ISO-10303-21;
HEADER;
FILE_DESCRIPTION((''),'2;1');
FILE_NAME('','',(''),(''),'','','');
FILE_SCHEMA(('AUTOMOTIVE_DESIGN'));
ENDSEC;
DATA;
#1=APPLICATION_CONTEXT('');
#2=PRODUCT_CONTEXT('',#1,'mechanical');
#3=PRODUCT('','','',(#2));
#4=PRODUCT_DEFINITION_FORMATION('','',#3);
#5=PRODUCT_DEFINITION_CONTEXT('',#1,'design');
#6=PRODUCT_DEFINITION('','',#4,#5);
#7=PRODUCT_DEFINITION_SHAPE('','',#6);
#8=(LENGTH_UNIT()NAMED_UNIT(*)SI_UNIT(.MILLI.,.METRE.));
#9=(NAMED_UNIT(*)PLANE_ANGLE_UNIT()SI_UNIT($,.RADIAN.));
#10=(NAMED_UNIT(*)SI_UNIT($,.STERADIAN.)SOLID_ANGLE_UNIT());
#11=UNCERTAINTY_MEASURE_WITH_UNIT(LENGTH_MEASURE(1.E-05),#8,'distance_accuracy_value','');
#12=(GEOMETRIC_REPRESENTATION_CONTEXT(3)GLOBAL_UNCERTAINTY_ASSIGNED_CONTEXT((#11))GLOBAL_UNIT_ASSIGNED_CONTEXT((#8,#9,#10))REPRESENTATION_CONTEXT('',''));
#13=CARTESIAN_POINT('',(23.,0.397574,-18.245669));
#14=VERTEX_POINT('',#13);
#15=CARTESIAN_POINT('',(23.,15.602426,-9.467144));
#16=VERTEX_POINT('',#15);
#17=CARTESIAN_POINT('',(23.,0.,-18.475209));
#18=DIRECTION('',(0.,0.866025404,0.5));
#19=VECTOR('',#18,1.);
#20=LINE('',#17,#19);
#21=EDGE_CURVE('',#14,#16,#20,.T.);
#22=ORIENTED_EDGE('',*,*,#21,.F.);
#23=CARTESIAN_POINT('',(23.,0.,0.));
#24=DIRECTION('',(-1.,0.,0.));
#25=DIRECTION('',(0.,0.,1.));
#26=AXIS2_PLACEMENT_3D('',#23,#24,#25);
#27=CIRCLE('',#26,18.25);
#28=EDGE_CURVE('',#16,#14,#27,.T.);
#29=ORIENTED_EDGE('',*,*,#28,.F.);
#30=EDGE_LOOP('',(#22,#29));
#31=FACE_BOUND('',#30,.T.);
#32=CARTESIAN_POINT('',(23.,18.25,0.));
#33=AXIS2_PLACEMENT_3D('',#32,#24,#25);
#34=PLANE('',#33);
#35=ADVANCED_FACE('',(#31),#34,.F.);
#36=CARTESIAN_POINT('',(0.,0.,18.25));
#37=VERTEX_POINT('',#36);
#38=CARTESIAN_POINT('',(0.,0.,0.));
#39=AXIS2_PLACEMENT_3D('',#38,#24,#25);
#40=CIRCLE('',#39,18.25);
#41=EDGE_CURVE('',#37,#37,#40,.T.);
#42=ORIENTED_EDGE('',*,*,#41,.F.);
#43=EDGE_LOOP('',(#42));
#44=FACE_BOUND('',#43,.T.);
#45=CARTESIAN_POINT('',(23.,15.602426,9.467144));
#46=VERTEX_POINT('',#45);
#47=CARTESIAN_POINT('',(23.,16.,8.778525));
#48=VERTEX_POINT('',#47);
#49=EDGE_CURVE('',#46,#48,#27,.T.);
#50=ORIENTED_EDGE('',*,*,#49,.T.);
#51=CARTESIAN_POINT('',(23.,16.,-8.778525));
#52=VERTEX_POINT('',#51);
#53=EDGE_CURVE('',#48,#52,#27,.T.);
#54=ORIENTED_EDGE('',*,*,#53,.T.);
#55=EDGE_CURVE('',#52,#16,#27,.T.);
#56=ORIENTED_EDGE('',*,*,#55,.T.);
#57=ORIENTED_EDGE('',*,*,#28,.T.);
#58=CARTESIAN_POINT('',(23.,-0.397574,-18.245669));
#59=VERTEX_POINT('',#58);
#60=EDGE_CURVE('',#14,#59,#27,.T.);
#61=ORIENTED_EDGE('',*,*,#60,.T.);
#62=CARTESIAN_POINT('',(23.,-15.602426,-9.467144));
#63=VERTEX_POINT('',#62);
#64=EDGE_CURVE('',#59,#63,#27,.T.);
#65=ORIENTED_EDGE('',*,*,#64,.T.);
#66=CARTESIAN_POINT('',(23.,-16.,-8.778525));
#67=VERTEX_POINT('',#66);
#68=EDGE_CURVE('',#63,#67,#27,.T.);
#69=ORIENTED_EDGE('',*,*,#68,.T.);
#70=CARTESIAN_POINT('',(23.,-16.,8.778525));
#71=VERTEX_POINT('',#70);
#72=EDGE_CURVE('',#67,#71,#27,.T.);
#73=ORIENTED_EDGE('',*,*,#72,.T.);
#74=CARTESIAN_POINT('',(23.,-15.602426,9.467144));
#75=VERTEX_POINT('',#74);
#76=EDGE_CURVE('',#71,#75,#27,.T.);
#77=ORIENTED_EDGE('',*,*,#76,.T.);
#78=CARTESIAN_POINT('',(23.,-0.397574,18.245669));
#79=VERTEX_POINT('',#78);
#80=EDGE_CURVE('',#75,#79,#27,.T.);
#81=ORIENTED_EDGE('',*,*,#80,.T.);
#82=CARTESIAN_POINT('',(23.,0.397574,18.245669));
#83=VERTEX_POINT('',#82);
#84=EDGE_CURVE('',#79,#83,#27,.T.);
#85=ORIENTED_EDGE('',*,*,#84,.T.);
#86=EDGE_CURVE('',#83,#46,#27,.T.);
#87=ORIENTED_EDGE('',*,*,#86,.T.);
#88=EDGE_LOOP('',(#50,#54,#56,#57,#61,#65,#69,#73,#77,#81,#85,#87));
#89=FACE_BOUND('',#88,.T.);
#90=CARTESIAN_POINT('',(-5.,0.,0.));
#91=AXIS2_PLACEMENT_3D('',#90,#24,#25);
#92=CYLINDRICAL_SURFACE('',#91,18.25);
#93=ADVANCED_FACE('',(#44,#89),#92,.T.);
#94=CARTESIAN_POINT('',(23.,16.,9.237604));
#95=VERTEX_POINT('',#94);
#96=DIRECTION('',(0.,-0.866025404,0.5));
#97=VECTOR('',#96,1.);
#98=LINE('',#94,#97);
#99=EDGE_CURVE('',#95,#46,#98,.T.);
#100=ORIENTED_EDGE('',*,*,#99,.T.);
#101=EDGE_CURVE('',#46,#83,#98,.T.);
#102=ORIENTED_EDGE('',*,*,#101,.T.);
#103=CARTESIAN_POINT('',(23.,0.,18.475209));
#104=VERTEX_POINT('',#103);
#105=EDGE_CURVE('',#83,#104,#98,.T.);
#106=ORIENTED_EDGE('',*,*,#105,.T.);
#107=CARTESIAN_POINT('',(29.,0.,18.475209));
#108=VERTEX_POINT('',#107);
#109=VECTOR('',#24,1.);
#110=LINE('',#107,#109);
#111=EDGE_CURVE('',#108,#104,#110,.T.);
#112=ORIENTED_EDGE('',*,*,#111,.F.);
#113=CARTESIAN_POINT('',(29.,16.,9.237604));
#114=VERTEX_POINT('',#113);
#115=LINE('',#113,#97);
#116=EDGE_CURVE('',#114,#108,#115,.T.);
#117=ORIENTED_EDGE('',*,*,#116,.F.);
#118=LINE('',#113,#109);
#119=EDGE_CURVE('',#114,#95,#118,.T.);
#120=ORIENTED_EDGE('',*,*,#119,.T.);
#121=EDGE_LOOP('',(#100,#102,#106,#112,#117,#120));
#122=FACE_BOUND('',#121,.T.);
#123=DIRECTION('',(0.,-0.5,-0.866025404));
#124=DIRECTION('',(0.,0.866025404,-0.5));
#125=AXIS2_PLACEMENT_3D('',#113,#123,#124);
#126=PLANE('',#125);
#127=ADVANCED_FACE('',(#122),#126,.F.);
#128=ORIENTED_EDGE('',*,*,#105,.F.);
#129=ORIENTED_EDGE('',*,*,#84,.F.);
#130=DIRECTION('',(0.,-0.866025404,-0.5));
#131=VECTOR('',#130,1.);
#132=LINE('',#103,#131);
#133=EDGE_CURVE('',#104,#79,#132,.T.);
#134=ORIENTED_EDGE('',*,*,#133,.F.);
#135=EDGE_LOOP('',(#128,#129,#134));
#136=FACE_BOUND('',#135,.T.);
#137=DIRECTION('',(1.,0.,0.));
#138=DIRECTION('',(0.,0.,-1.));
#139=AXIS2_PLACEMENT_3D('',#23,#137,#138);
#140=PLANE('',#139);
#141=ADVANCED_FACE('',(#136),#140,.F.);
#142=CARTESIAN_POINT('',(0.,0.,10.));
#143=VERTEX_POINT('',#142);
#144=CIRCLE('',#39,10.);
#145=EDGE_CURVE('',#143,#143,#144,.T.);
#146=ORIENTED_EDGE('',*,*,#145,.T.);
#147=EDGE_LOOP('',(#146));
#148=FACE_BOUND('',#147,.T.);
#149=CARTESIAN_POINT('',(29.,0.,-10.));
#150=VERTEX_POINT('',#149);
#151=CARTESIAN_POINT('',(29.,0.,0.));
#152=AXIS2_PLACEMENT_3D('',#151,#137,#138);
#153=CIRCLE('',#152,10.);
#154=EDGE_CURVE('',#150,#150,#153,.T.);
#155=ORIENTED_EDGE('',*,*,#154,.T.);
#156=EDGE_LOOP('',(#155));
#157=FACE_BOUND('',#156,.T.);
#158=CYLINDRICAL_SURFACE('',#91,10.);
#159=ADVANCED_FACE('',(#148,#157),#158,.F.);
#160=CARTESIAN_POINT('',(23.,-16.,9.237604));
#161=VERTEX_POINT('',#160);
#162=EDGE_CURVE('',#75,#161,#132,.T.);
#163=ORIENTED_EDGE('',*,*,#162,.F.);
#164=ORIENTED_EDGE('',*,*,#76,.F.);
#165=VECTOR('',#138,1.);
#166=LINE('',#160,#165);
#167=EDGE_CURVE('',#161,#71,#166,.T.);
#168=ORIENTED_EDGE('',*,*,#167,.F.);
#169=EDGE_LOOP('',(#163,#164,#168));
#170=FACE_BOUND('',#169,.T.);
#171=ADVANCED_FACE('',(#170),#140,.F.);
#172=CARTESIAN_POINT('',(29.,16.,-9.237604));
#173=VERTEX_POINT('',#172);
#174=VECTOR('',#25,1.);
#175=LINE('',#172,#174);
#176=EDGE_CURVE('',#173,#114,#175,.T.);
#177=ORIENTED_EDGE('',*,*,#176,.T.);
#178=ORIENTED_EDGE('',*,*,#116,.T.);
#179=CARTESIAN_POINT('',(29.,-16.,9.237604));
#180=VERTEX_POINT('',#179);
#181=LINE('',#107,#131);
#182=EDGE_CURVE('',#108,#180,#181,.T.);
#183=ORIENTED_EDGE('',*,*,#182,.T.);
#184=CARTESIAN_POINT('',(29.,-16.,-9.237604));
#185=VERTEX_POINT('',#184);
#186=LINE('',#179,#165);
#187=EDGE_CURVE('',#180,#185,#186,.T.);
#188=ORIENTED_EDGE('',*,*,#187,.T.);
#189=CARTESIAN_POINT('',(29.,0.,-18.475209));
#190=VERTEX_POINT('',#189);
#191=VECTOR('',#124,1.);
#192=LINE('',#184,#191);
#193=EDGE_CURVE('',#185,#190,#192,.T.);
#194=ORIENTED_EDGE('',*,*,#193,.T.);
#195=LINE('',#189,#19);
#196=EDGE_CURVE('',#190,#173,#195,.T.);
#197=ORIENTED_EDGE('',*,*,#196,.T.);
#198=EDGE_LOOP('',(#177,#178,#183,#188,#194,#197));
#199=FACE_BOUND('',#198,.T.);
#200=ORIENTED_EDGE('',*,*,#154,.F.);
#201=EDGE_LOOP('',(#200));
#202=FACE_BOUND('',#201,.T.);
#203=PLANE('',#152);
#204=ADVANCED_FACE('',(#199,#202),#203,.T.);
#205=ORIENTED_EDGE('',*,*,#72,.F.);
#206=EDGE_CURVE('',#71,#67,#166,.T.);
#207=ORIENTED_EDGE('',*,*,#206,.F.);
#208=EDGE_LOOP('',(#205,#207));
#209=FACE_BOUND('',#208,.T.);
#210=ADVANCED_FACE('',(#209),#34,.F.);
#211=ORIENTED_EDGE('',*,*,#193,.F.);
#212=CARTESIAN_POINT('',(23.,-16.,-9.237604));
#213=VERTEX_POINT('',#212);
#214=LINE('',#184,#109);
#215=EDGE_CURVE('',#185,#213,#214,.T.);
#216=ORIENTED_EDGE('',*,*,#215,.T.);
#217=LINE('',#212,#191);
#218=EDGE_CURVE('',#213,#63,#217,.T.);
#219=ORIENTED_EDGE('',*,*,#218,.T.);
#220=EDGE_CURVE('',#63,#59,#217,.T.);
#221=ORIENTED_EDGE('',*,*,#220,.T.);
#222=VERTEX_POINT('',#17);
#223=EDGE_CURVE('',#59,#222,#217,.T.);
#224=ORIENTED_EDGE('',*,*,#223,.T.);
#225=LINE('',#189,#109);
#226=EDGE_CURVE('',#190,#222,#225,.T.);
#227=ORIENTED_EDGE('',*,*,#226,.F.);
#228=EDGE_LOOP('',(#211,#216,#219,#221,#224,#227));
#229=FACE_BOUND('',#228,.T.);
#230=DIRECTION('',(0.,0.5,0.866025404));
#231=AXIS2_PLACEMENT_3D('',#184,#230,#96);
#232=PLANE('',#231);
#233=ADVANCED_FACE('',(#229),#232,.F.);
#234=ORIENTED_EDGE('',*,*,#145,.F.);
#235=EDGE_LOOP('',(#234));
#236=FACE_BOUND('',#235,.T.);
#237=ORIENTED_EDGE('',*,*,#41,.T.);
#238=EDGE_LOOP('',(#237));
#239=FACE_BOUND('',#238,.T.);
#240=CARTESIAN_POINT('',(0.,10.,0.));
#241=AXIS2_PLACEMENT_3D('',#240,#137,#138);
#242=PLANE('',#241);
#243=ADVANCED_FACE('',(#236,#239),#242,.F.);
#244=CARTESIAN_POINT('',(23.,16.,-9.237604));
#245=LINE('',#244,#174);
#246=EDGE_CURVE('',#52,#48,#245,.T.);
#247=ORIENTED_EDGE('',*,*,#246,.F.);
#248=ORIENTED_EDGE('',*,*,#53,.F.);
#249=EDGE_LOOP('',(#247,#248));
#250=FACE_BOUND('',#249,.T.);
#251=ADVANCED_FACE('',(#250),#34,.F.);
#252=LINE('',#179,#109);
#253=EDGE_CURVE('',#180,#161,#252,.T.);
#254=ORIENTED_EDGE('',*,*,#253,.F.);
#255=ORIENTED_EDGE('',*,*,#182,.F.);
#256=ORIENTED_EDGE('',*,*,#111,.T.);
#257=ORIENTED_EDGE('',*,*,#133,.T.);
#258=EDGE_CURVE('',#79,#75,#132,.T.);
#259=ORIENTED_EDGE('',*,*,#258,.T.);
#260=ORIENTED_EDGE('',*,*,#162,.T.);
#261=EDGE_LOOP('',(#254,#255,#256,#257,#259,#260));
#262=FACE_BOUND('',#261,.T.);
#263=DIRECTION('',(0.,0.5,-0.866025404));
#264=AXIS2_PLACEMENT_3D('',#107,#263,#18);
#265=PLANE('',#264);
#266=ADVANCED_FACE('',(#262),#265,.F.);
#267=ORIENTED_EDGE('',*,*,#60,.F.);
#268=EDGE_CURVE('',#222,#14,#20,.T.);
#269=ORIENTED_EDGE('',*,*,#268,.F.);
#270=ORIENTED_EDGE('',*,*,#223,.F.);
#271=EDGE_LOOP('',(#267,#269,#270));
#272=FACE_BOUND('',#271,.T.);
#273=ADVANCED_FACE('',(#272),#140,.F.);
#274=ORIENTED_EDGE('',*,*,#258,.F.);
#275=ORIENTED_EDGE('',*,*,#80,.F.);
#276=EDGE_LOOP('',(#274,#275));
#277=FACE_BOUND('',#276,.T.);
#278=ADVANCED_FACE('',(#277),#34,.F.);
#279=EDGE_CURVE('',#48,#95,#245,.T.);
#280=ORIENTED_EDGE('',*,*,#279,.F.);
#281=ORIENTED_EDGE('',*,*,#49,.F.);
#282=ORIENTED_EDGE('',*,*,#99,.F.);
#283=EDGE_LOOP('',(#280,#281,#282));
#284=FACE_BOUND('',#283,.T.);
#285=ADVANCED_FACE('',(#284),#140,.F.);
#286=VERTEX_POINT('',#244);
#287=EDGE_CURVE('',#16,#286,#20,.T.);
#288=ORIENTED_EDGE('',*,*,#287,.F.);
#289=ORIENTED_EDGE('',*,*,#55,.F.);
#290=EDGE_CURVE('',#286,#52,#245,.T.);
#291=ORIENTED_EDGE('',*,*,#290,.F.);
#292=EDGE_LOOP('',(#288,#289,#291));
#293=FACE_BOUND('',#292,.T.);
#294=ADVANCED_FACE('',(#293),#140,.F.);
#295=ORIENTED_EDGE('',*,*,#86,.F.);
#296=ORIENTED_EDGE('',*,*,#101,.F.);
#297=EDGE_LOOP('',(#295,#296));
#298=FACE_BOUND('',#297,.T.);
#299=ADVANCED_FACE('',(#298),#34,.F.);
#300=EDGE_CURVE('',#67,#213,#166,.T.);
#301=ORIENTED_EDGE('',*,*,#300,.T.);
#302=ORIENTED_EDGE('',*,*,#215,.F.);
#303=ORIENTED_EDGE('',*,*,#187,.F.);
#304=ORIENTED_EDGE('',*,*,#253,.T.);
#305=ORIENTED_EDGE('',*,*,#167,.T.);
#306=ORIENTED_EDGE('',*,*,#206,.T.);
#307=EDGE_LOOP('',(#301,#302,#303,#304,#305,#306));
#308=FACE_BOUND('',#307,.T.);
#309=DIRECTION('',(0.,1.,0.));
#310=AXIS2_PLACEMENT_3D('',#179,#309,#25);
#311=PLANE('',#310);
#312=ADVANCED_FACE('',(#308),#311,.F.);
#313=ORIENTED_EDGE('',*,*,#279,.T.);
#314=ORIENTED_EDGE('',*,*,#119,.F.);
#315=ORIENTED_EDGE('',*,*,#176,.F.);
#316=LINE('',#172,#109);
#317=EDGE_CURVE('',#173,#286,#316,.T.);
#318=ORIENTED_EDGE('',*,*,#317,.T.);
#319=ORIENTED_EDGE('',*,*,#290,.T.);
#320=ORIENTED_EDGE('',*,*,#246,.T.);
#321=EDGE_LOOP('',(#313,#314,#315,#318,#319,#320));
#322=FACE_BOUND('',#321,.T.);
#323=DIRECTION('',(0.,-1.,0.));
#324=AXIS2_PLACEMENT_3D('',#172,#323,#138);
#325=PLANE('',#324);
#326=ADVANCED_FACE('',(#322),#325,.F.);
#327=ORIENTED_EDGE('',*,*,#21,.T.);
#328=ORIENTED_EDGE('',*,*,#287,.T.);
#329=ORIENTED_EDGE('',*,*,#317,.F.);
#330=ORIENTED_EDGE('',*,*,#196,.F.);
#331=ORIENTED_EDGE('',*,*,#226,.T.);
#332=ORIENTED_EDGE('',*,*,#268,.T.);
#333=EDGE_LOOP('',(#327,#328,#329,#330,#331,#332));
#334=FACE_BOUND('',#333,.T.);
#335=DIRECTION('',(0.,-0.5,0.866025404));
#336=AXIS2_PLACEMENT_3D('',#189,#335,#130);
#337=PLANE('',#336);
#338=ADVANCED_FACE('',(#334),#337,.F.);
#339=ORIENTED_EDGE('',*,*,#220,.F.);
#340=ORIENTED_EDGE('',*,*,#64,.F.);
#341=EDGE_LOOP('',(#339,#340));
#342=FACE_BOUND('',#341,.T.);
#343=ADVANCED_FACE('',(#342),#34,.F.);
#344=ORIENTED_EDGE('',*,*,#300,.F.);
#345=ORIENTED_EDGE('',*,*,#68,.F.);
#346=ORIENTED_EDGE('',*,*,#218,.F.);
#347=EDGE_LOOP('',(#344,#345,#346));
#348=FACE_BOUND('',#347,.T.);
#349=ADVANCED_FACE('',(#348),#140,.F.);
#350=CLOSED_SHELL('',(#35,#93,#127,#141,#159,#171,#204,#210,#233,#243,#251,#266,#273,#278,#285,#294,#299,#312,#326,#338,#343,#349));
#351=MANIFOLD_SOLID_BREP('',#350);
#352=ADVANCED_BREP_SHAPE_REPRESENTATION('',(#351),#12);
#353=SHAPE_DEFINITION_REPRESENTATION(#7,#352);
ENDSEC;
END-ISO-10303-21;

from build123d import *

# Parameters (mm, degrees)
SKETCH_1_W     = 23
SKETCH_1_H     = 8.25
SKETCH_2_R     = 10
F_02_HEX_DEPTH = 6


with BuildPart() as part:
    # 草图1 → 01_SLEEVE (revolve)
    with BuildSketch(Plane.XY, mode=Mode.PRIVATE) as f_01_sleeve_sk:
        with Locations((11.5, 14.125)):
            Rectangle(SKETCH_1_W, SKETCH_1_H)
    revolve(f_01_sleeve_sk.sketch.rotate(Axis((-5, 0, 0), (1, 0, 0)), 90), axis=Axis((-5, 0, 0), (1, 0, 0)))

    # 草图2 → 02_HEX (add)
    with BuildSketch(Plane(origin=(23, 0, 0), x_dir=(0, 0, -1), z_dir=(1, 0, 0))):
        Polygon((18.475208614, 0), (9.237604307, 16), (-9.237604307, 16), (-18.475208614, 0), (-9.237604307, -16), (9.237604307, -16), align=None)
        with Locations(Location((0, 0, 0), (0, 0, 180))):
            Circle(SKETCH_2_R, mode=Mode.SUBTRACT)
    extrude(amount=F_02_HEX_DEPTH)


solid = part.part
